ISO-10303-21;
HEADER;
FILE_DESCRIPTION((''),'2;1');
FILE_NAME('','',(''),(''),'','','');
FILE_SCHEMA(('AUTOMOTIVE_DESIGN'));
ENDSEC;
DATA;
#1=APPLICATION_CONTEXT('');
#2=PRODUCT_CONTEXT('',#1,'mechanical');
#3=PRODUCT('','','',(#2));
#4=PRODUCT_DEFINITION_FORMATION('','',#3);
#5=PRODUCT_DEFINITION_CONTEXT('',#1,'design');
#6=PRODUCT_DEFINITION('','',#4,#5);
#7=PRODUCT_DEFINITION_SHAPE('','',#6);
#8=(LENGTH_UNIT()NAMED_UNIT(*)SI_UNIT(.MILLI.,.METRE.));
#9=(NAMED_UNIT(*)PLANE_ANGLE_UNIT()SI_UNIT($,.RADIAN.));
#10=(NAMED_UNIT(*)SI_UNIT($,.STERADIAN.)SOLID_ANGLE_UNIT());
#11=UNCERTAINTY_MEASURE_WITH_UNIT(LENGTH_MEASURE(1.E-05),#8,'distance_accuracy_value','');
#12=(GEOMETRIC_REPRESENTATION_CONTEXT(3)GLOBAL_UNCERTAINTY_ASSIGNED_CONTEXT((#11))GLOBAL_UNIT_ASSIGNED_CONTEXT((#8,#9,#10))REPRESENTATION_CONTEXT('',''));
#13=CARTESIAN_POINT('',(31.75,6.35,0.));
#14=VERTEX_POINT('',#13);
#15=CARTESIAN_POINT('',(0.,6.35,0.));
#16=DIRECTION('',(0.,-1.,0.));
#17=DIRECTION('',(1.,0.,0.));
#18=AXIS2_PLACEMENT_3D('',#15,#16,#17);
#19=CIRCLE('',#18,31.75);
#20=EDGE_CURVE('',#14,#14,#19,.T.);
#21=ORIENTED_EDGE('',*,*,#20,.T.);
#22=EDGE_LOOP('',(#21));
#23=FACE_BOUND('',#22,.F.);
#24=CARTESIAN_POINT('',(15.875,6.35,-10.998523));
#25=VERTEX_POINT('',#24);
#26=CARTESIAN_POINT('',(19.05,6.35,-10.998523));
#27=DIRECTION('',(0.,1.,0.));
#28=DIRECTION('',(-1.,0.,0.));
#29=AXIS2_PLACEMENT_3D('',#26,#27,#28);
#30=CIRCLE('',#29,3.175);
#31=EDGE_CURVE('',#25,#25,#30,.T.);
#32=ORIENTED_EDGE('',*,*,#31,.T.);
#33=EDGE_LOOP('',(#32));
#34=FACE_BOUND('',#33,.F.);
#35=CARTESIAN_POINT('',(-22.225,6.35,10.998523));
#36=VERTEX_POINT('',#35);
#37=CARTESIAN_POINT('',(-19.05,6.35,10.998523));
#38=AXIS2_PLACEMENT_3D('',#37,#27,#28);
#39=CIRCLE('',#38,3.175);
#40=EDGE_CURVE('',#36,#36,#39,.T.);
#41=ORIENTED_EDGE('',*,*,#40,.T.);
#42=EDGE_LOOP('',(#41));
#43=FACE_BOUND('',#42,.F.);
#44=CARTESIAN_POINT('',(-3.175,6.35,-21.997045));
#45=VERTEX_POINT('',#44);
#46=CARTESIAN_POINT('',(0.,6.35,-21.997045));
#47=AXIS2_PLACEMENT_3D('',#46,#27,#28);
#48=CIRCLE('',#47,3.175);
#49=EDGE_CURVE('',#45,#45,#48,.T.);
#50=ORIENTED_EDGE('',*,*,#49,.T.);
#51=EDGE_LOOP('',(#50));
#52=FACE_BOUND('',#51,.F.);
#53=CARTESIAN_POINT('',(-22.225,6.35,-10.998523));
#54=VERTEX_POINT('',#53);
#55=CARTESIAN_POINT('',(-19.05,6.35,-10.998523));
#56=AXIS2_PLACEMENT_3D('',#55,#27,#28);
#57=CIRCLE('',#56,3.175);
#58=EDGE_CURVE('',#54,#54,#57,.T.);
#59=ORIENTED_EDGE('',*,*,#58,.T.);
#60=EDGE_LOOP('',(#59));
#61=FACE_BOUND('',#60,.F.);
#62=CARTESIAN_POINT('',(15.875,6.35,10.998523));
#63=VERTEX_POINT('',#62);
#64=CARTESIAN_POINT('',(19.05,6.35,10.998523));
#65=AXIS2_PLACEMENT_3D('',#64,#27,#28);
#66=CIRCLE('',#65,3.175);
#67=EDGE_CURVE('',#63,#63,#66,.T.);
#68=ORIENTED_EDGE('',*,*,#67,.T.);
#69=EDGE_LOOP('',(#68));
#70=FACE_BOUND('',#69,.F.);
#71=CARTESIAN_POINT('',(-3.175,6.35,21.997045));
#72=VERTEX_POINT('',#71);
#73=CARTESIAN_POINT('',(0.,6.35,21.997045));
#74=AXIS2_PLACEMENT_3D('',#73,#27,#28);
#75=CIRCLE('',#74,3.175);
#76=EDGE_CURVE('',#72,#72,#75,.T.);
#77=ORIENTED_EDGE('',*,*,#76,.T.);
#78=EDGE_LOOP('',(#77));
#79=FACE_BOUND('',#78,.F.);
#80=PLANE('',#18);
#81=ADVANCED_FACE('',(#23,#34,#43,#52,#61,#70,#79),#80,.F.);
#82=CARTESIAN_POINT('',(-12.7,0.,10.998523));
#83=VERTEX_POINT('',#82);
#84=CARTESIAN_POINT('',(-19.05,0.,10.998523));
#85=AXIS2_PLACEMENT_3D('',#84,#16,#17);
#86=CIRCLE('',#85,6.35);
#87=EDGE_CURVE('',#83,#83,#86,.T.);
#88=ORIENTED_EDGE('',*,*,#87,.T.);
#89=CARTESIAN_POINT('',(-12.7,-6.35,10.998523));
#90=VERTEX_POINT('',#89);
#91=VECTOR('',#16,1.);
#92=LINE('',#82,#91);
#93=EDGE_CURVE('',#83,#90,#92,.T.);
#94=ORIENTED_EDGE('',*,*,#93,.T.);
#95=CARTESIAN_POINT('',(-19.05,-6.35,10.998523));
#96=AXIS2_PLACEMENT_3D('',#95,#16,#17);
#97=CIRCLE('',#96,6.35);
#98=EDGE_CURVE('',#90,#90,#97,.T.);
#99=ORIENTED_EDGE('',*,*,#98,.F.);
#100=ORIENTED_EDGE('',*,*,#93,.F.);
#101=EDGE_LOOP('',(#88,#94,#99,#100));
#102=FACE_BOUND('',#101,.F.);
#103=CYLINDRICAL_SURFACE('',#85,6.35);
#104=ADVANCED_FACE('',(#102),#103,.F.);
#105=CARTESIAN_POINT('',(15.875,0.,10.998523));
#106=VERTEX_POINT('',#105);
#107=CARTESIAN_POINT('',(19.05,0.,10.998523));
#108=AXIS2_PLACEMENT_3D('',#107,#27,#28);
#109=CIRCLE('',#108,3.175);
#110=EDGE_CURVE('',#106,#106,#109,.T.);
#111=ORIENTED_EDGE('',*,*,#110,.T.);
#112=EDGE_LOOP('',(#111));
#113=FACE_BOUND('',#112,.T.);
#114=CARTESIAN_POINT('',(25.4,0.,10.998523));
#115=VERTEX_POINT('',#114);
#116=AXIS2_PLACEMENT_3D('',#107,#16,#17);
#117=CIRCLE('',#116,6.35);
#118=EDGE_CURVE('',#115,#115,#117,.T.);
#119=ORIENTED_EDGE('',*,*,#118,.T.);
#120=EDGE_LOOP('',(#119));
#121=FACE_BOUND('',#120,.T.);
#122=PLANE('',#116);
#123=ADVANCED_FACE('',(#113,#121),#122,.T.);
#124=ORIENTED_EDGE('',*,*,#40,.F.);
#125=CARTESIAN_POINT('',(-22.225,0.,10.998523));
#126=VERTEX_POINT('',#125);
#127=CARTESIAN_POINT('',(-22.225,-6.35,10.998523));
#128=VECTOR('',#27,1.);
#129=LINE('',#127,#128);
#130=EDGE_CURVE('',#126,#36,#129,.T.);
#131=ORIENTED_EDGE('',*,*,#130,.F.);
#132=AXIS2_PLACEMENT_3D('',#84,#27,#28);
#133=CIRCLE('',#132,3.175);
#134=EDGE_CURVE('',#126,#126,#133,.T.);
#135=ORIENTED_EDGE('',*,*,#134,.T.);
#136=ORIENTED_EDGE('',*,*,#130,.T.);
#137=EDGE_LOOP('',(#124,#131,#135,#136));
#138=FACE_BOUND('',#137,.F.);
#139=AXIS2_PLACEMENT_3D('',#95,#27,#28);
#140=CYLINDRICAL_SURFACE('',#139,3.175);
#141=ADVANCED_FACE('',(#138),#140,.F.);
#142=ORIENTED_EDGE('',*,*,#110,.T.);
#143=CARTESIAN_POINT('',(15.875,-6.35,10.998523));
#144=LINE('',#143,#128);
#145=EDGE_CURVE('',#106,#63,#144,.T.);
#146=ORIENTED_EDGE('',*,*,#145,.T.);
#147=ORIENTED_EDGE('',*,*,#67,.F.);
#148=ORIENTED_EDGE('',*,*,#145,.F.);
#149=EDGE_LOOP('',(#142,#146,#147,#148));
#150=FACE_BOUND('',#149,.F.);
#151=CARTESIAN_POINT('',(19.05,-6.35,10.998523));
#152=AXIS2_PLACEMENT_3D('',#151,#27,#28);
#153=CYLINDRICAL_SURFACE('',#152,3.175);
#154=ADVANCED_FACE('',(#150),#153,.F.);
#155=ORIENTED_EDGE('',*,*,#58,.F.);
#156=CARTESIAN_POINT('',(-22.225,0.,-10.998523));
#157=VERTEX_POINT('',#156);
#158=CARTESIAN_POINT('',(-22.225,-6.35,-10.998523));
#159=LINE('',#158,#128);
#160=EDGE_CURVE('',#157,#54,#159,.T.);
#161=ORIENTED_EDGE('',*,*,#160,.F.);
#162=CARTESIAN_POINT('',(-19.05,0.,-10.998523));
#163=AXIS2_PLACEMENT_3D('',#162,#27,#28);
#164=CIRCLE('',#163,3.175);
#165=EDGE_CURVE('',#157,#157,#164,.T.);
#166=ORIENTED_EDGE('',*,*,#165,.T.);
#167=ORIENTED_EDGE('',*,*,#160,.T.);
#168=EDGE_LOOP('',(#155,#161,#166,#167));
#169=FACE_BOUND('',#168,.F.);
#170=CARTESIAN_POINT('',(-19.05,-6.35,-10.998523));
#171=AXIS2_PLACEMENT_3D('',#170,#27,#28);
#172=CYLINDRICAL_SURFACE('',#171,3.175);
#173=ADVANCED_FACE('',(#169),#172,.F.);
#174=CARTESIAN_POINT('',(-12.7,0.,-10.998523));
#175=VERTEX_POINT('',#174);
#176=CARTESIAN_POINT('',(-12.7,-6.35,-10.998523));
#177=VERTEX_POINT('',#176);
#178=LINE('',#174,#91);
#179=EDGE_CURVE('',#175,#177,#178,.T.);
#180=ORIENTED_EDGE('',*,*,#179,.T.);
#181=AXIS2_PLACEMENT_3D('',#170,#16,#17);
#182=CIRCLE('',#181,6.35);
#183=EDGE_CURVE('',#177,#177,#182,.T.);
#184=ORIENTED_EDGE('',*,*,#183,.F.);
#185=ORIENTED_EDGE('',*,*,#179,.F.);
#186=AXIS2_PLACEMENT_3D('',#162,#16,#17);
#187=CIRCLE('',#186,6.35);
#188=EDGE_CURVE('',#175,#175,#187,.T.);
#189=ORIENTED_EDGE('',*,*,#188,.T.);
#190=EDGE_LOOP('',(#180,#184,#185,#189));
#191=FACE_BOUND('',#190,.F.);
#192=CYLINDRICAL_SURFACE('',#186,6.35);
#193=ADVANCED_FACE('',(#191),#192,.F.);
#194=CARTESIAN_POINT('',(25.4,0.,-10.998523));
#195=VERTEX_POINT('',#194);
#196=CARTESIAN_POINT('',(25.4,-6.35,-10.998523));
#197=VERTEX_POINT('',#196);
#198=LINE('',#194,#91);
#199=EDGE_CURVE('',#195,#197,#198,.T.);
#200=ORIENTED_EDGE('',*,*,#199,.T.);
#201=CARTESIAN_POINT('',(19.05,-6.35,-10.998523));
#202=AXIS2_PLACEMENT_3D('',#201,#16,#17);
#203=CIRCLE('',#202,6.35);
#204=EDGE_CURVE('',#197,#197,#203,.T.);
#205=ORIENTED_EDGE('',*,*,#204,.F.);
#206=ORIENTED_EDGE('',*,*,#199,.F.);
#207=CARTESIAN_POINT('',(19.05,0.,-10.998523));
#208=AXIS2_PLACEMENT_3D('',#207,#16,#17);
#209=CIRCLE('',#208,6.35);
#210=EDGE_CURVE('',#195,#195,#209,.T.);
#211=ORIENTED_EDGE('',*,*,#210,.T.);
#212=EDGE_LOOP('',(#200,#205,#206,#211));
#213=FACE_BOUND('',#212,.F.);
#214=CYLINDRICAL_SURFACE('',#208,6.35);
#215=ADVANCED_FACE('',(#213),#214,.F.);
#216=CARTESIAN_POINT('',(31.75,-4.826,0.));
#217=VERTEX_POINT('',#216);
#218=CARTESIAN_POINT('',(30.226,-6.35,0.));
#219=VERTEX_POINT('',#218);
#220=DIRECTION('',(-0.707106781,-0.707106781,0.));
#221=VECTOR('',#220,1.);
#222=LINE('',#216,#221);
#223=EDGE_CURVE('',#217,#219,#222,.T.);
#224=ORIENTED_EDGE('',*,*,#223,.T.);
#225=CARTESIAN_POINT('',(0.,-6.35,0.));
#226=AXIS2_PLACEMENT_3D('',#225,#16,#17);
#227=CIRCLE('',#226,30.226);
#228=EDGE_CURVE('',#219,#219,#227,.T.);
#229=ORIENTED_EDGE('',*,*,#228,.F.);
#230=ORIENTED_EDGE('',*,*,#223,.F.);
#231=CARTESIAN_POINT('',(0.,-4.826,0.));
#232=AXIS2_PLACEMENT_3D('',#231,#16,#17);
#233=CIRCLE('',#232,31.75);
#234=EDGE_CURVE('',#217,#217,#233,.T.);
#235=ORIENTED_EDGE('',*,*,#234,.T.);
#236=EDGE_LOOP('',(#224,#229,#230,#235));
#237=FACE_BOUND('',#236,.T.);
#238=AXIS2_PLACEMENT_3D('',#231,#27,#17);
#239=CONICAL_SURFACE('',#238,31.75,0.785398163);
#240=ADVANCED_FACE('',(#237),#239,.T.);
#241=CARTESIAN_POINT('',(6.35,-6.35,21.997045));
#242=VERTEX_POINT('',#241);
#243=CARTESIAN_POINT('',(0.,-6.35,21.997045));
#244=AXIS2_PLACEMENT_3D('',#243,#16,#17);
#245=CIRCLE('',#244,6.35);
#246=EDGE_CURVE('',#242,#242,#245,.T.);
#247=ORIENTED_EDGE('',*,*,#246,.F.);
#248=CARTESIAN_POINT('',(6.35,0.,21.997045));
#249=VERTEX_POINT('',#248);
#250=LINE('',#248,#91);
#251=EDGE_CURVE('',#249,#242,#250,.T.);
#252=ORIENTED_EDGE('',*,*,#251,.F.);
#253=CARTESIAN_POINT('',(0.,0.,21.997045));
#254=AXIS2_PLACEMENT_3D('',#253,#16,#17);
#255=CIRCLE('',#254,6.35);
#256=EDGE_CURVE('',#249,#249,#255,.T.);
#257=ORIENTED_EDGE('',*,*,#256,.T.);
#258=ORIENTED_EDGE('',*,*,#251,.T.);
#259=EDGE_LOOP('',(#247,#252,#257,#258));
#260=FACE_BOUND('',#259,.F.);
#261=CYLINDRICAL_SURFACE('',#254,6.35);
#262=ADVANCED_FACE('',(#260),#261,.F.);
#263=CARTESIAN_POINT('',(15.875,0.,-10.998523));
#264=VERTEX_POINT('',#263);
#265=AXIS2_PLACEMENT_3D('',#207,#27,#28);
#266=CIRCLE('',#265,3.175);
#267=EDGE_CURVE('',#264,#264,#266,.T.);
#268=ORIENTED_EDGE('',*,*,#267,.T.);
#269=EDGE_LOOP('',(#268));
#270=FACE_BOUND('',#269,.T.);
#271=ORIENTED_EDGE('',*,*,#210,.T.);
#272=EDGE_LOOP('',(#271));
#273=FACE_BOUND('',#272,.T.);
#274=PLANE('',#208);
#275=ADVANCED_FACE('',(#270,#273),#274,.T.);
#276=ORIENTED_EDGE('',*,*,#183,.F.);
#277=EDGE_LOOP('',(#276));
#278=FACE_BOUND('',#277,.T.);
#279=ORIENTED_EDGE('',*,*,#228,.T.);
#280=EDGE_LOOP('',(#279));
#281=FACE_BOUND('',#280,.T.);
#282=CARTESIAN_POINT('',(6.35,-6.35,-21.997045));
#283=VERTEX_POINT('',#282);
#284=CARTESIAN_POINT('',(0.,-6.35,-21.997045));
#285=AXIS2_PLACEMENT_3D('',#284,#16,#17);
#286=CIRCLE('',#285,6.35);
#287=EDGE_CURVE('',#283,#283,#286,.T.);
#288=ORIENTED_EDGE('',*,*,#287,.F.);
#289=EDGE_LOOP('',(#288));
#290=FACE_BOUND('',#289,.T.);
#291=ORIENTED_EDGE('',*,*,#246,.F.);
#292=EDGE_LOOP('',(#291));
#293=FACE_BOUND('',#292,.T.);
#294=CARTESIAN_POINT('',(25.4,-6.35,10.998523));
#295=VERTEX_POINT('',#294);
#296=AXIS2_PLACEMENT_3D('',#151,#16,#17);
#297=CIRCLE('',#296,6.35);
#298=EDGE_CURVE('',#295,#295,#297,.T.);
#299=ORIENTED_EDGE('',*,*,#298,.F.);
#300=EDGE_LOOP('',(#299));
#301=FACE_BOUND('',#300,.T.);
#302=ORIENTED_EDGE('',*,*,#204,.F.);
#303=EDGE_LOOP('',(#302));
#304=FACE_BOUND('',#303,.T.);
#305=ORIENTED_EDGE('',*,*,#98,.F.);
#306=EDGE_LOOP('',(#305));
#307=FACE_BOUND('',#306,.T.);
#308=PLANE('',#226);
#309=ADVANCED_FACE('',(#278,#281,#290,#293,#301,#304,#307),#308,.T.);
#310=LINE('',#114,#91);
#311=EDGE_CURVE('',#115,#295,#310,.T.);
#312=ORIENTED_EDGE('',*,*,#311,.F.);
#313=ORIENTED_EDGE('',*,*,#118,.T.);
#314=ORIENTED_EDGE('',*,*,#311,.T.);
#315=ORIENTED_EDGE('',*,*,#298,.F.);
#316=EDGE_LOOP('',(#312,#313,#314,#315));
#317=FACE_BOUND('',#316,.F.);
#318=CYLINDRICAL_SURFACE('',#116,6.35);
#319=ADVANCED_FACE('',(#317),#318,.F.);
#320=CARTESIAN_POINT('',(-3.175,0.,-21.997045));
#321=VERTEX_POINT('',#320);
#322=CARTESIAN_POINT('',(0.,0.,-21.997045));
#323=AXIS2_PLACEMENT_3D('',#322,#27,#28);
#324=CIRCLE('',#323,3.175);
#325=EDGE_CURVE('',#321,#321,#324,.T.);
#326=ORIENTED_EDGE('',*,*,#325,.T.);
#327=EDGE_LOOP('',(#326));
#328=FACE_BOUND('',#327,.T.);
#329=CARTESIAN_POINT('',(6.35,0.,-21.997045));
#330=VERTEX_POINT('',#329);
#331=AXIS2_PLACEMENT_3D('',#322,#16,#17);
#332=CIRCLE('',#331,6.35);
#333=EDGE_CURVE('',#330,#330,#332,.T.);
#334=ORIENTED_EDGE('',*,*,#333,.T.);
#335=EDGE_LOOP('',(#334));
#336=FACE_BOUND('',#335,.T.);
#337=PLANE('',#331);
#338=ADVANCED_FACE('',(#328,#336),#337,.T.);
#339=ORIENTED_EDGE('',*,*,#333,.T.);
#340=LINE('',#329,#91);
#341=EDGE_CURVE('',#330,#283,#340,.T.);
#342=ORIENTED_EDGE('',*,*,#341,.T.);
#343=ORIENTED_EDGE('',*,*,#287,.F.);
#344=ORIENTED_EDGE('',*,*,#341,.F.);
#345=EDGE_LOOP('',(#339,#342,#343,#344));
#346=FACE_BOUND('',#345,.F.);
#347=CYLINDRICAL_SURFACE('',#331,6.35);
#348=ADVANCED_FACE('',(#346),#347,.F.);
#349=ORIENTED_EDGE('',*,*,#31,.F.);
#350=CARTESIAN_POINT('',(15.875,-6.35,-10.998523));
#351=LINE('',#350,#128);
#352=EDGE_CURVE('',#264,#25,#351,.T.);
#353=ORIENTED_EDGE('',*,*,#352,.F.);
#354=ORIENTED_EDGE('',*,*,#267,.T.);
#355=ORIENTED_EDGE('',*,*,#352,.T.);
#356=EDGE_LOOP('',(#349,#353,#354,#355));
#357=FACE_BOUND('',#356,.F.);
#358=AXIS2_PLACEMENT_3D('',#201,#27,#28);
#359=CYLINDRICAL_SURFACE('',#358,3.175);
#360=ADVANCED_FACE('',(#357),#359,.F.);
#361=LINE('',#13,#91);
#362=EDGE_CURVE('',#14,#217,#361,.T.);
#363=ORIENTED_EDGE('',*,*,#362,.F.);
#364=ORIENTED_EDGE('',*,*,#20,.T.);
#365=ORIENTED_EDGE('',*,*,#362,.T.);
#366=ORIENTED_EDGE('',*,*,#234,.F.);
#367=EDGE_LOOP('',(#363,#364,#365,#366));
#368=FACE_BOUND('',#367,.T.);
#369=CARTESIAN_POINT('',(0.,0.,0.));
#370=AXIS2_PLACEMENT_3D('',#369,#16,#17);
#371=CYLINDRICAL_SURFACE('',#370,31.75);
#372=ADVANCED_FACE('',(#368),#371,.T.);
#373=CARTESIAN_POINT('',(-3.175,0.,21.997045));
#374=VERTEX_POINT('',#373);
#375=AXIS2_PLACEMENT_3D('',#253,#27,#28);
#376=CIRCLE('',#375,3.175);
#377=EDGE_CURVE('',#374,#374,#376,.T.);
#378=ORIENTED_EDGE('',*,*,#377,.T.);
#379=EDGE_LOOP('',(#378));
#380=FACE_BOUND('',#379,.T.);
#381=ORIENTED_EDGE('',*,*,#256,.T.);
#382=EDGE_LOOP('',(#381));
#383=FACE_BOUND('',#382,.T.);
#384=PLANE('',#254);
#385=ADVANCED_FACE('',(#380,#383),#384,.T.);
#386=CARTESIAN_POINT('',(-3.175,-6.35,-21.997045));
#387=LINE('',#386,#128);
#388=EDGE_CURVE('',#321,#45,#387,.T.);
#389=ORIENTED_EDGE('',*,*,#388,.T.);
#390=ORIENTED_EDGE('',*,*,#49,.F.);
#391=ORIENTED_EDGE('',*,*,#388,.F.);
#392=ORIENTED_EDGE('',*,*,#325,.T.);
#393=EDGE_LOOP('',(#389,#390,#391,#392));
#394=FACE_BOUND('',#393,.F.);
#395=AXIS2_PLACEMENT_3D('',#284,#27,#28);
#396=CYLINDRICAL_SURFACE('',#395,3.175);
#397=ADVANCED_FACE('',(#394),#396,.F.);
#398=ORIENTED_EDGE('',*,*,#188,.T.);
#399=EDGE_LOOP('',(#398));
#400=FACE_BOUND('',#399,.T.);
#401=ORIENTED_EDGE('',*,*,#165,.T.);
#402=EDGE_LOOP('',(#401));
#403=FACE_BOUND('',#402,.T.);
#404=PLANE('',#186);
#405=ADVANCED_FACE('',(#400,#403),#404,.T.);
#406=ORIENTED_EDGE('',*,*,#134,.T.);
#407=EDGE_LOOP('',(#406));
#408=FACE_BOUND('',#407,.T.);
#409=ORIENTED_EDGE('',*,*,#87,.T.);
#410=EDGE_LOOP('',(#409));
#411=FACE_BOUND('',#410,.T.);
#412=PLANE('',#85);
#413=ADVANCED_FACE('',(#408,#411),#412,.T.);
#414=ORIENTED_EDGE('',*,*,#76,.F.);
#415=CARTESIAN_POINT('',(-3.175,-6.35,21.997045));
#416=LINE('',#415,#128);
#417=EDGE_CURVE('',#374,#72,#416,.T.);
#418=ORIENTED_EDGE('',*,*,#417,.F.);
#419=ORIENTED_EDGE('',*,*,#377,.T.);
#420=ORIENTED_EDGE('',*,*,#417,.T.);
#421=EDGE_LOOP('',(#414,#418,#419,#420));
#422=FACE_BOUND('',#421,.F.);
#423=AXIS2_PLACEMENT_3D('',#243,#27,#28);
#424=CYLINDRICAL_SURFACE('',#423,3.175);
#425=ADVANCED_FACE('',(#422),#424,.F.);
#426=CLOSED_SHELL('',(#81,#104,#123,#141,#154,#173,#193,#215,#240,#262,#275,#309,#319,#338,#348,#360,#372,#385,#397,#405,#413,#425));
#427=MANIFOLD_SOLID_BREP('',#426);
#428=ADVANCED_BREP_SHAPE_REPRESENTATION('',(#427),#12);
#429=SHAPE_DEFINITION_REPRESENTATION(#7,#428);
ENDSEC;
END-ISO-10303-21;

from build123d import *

# Parameters (mm, degrees)
F0_R           = 31.75
F1_DEPTH       = 6.35
F3_D           = 6.35
F3_CBORE_D     = 12.7
F3_CBORE_DEPTH = 6.35
F4_SIZE        = 1.524


with BuildPart() as f1:
    # F0 (on Front) → F1 (new body, symmetric)
    with BuildSketch(Plane.XZ):
        Circle(F0_R)
    extrude(amount=F1_DEPTH, both=True)

    # F3 (through all)
    with Locations(Plane.XZ.offset(6.35)):
        with Locations((-19.05, 10.998523), (0, 21.997045), (19.05, 10.998523), (19.05, -10.998523), (0, -21.997045), (-19.05, -10.998523)):
            CounterBoreHole(F3_D / 2, F3_CBORE_D / 2, F3_CBORE_DEPTH)

    # F4
    f4_edges = [f1.edges().sort_by_distance(p)[0] for p in [
        (-31.75, -6.35, 0),
    ]]
    chamfer(f4_edges, length=F4_SIZE)


solid = f1.part
